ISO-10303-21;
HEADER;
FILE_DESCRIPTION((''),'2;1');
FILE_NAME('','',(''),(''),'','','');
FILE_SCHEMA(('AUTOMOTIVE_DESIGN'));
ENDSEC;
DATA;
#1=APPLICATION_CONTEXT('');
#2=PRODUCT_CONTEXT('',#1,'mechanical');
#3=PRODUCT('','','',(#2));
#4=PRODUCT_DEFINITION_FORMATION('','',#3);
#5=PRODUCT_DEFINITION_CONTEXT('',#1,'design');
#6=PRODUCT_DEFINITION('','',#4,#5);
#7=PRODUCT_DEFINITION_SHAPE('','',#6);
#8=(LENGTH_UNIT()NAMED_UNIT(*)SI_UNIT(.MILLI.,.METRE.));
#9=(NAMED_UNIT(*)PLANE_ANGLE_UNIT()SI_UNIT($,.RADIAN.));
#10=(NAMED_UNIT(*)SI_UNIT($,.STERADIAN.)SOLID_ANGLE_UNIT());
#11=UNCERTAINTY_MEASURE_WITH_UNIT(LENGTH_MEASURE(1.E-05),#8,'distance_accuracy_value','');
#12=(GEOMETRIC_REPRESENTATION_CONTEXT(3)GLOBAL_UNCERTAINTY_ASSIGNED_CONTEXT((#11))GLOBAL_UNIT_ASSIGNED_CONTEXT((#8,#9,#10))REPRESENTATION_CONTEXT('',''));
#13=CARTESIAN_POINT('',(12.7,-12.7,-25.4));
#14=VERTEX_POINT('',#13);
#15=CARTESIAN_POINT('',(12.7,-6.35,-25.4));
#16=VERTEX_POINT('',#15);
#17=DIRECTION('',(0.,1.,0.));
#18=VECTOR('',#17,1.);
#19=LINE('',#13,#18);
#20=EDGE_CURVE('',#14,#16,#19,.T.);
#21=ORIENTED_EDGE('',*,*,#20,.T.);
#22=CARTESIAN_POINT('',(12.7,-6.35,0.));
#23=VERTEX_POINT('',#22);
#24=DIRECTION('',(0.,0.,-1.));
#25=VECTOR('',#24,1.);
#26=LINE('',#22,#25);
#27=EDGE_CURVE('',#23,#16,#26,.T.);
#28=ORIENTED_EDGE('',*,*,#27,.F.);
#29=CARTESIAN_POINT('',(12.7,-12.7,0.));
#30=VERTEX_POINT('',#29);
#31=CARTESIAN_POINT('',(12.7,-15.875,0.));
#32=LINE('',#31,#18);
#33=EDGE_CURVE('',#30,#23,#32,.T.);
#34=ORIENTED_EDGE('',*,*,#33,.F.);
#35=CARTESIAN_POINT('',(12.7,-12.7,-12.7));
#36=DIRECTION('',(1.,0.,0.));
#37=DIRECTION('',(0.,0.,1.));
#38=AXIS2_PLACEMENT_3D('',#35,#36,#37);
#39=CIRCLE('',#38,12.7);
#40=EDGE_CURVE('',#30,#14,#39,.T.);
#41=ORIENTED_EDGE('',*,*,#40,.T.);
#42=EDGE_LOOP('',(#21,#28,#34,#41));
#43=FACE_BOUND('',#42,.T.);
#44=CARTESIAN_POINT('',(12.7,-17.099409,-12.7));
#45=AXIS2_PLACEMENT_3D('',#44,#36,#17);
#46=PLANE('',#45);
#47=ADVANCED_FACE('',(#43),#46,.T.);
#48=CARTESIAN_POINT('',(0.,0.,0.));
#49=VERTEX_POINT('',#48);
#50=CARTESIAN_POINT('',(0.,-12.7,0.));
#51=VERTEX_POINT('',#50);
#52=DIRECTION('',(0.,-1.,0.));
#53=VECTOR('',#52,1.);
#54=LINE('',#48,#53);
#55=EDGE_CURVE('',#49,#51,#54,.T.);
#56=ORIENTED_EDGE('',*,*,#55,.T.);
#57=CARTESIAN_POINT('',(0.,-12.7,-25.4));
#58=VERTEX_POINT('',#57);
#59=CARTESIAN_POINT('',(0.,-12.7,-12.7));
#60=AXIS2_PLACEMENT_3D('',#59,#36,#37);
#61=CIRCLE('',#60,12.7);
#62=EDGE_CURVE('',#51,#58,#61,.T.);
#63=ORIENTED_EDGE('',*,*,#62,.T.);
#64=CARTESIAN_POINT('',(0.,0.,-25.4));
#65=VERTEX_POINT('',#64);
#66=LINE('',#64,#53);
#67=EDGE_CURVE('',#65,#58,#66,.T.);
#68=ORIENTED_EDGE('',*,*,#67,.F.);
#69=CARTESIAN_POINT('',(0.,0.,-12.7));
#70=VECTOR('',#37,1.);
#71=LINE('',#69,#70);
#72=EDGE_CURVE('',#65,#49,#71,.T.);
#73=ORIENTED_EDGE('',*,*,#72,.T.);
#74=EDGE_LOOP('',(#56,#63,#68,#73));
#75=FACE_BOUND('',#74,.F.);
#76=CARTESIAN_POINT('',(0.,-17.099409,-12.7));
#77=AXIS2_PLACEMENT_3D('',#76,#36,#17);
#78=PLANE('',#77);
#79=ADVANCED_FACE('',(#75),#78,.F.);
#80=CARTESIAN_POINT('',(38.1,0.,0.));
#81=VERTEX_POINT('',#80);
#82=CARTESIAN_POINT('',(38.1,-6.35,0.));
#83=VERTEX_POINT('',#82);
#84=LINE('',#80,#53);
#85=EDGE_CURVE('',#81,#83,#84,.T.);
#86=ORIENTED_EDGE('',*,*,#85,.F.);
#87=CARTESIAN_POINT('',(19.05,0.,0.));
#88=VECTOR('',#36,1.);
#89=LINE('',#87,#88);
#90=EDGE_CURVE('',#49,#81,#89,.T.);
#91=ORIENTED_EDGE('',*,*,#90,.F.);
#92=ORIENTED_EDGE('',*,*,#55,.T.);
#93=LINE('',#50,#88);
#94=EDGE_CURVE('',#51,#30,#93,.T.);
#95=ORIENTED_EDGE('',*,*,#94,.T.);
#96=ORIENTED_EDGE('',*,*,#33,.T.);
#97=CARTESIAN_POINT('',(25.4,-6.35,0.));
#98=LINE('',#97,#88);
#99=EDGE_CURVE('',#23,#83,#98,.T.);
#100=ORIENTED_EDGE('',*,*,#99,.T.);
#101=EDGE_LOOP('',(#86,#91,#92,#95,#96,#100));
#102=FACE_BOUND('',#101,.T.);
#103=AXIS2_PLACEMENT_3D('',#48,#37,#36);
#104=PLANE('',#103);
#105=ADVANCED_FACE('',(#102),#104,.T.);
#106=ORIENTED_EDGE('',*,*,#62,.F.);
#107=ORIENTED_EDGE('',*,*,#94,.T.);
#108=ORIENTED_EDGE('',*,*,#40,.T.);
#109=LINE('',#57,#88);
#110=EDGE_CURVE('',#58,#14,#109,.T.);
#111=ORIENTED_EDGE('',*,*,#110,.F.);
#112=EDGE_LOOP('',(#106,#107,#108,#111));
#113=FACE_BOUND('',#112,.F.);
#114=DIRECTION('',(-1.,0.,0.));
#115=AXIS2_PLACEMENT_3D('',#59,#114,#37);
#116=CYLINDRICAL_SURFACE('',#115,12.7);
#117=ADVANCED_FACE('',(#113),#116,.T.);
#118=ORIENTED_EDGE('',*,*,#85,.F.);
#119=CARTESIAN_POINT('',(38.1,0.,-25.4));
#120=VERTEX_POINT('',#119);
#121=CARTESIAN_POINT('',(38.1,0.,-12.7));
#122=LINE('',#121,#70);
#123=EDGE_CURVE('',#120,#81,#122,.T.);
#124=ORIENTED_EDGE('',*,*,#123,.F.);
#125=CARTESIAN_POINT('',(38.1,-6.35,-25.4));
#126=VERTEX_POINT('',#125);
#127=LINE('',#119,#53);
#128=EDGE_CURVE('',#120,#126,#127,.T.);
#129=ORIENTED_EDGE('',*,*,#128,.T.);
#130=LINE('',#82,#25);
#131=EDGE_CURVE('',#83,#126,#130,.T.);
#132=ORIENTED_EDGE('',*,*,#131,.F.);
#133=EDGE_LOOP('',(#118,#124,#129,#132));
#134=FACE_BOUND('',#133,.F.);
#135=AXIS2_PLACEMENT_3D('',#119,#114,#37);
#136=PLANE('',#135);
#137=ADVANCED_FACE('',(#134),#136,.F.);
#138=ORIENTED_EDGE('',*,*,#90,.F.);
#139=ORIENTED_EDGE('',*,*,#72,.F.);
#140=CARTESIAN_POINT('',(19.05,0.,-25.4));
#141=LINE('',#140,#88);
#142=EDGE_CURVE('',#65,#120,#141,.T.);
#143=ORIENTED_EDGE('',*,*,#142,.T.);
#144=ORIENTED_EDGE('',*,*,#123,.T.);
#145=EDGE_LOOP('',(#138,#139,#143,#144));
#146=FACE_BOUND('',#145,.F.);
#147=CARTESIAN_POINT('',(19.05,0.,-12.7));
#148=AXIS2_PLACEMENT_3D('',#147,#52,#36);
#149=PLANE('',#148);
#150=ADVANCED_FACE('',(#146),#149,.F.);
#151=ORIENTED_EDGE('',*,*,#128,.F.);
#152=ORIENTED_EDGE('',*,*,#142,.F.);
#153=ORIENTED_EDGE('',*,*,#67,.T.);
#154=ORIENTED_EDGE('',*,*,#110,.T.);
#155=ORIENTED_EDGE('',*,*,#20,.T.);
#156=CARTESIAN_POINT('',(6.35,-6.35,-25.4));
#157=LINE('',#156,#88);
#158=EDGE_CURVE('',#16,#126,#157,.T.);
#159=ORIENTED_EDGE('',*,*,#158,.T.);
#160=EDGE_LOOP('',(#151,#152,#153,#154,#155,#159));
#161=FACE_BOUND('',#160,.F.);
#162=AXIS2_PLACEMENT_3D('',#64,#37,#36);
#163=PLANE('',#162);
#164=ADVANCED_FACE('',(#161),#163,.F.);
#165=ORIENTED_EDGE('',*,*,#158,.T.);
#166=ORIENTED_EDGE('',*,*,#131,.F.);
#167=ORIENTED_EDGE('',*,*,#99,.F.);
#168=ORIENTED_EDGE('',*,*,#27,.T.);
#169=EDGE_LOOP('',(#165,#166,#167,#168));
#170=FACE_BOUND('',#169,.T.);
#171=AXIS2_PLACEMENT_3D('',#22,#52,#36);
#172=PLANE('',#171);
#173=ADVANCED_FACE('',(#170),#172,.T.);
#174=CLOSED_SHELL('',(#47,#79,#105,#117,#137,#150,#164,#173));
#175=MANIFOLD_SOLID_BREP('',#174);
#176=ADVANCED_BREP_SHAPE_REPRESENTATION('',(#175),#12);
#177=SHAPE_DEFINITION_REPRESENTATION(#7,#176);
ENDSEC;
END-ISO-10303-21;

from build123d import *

# Parameters (mm, degrees)
F0_W     = 38.1
F0_H     = 25.4
F1_DEPTH = 25.4
F2_W     = 25.4
F2_H     = 19.05
F3_DEPTH = 25.401
F5_W     = 12.7
F5_H     = 25.4
F6_DEPTH = 25.4
F7_DEPTH = 12.7


with BuildPart() as f1:
    # F0 (on Front) → F1 (new body)
    with BuildSketch(Plane.XZ):
        with Locations((19.05, -12.7)):
            Rectangle(F0_W, F0_H)
    extrude(amount=F1_DEPTH)

    # F2 (on Top) → F3 (cut, through all)
    with BuildSketch(Plane.XY):
        with Locations((25.4, -15.875)):
            Rectangle(F2_W, F2_H)
    extrude(amount=-F3_DEPTH, mode=Mode.SUBTRACT)

    # F5 (on Right) → F6 (cut)
    with BuildSketch(Plane.YZ):
        with Locations((-19.05, -12.7)):
            Rectangle(F5_W, F5_H)
    extrude(amount=F6_DEPTH, mode=Mode.SUBTRACT)

    # F4 (on Right) → F7 (join)
    with BuildSketch(Plane.YZ):
        with BuildLine():
            Line((-12.7, -25.4), (-12.7, 0))
            ThreePointArc((-12.7, 0), (-25.4, -12.7), (-12.7, -25.4))
        make_face()
    extrude(amount=F7_DEPTH)


solid = f1.part
